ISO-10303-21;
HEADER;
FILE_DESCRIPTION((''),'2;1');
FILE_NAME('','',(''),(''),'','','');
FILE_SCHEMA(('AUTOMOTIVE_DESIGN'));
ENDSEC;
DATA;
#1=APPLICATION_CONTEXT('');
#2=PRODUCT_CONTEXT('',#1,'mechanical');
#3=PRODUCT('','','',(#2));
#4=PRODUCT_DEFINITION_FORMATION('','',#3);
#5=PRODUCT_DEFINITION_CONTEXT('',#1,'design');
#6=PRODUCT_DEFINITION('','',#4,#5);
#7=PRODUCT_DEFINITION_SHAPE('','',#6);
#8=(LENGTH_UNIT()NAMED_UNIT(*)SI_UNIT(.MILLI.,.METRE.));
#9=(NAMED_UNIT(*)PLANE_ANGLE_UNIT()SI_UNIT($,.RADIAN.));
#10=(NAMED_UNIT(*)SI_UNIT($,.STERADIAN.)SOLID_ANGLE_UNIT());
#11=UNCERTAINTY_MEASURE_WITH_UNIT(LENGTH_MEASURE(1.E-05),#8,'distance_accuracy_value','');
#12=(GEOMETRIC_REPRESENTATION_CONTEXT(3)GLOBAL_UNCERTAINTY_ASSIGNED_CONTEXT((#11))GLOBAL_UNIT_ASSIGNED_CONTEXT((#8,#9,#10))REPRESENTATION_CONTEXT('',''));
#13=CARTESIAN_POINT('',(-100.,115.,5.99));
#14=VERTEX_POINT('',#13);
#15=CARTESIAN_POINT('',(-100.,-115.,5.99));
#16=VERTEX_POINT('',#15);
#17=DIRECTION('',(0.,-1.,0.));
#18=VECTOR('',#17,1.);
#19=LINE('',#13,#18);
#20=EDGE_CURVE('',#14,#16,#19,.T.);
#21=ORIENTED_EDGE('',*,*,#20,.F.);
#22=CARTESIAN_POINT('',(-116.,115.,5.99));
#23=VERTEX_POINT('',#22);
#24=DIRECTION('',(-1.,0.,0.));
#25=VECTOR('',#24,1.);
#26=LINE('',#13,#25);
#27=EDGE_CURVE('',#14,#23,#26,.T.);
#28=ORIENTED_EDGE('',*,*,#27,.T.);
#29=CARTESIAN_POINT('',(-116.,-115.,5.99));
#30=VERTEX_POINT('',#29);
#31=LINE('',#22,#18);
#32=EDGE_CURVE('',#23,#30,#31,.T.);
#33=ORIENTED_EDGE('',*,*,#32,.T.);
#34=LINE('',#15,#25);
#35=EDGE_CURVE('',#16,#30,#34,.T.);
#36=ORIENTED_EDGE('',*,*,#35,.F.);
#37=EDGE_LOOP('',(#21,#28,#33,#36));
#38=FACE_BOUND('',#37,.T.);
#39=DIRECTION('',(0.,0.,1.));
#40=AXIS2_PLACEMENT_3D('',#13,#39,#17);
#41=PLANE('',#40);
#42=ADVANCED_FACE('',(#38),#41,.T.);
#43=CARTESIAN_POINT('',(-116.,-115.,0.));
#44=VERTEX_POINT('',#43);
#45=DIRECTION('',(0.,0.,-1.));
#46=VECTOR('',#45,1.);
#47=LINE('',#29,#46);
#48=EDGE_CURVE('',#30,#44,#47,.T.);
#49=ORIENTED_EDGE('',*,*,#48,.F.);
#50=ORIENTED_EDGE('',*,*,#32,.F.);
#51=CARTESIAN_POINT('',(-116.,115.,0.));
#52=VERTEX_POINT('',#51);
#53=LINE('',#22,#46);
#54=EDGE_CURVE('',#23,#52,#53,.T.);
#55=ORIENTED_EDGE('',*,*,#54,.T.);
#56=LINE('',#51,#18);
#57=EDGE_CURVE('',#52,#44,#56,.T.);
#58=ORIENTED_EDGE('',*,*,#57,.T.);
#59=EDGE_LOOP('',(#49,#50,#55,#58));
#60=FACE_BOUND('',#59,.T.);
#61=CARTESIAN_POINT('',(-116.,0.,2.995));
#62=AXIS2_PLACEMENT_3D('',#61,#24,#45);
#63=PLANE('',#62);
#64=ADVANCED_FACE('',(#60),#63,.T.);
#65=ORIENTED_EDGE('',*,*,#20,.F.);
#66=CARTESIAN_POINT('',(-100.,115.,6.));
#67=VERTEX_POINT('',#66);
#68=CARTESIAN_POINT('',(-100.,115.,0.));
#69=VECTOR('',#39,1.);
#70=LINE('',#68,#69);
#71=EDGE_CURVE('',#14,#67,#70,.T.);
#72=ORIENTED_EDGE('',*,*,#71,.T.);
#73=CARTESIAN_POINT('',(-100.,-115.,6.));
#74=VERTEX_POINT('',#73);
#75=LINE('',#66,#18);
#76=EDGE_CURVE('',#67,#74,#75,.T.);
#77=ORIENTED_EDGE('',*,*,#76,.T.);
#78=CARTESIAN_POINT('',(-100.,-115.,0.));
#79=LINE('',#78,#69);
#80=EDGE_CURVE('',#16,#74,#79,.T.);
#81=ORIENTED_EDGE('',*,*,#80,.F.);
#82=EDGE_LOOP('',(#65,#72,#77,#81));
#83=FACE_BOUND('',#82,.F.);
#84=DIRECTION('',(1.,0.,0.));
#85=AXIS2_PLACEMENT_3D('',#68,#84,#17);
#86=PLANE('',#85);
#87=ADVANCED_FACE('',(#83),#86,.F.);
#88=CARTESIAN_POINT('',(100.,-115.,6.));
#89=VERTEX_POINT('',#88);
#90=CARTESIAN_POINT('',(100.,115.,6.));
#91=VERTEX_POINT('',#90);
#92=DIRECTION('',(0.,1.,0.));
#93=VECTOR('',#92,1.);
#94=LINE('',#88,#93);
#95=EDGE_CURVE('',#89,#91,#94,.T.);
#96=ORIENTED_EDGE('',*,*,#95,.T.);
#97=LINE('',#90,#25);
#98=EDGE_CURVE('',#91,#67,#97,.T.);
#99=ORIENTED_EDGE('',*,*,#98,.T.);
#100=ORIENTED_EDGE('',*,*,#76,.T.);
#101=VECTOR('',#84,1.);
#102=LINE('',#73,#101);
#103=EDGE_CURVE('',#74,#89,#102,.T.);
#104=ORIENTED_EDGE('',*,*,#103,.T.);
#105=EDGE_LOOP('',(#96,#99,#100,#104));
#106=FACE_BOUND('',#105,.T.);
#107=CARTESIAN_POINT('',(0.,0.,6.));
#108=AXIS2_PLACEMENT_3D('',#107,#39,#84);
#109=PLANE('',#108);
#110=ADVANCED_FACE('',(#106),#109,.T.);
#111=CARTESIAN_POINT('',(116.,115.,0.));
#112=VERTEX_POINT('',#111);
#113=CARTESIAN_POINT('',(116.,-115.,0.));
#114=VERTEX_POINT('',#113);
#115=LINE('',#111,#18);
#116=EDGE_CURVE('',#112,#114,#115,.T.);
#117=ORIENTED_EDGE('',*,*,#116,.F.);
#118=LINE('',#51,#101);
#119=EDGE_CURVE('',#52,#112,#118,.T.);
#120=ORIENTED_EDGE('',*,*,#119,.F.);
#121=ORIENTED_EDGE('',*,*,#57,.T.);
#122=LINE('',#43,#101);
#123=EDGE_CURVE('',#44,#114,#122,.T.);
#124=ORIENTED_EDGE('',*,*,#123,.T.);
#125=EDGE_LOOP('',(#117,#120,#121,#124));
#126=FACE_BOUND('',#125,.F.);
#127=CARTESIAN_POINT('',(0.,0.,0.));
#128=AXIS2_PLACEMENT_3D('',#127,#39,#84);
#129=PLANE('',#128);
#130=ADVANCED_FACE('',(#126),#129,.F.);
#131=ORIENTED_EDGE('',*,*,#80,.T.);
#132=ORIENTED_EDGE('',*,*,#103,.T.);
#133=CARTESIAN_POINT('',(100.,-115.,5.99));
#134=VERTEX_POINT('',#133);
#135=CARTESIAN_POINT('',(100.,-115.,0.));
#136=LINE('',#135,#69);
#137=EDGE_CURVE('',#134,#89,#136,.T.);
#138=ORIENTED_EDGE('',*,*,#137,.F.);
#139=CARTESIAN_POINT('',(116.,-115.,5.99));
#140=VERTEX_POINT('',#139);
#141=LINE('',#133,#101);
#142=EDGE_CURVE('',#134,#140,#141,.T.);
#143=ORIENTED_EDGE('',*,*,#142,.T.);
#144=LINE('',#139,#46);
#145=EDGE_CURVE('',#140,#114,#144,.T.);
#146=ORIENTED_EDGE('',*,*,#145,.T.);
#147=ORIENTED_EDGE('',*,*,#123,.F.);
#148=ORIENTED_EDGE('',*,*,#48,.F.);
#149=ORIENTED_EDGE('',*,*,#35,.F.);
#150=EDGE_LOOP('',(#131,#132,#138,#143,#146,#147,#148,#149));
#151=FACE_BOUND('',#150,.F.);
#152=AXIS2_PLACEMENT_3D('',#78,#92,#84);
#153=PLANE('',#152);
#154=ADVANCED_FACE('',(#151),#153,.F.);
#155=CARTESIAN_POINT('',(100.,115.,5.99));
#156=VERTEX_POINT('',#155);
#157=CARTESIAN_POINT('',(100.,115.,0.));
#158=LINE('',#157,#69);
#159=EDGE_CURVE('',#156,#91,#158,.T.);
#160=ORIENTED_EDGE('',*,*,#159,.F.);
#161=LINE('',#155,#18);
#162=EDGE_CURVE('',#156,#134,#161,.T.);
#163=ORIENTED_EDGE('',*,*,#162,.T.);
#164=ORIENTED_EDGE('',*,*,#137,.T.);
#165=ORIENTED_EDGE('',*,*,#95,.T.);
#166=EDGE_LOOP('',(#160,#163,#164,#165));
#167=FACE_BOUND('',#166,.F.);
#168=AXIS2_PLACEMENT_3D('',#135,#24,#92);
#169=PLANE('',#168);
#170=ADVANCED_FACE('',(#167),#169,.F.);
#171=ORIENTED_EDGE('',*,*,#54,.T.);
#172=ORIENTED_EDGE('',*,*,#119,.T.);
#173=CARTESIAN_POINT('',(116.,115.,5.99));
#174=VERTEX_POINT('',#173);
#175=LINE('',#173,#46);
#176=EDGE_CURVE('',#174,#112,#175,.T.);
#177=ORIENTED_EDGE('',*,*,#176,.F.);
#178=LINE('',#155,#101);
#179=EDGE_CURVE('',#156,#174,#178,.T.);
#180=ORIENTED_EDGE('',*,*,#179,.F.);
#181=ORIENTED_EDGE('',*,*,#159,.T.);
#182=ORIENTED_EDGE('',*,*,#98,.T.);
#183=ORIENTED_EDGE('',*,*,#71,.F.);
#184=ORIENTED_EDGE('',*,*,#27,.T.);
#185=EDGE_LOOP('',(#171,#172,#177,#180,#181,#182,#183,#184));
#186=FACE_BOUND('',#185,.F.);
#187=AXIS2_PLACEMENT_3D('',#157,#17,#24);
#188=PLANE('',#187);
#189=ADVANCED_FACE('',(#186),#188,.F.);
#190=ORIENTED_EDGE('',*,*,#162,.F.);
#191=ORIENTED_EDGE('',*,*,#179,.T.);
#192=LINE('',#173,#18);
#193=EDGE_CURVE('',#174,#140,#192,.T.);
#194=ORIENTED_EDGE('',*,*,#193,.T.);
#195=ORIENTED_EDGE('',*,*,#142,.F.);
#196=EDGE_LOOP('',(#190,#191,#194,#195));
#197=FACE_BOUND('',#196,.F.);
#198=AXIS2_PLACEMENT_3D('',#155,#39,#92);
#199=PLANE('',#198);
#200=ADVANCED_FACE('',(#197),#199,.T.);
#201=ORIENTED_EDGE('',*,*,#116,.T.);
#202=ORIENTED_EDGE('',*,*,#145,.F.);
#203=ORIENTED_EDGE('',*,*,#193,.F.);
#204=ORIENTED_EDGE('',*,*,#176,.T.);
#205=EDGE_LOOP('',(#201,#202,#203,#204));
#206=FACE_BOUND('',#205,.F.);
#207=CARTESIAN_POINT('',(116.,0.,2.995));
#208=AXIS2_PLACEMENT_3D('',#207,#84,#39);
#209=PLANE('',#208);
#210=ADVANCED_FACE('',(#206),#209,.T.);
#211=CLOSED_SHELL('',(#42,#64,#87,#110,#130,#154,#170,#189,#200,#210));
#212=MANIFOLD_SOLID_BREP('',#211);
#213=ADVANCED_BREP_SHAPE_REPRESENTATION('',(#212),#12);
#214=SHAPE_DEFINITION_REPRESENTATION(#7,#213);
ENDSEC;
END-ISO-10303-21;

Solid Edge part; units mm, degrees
sketch "Sketch1" plane through (0, 0, 0) normal (0, 0, 1) x (1, 0, 0)
  line L0 (-100, -115) -> (100, -115)
  line L1 (100, -115) -> (100, 115)
  line L2 (100, 115) -> (-100, 115)
  line L3 (-100, 115) -> (-100, -115)
  dimension "D1" = 200
  dimension "D2" = 230
extrude "Protrusion1" add sketch "Sketch1" along normal blind 6
sketch "Sketch2" plane through (-100, 0, 3) normal (-1, 0, 0) x (0, -1, 0)
  line L0 (-115, -3) -> (115, -3)
  line L1 (115, 2.99) -> (115, -3)
  line L2 (-115, 2.99) -> (115, 2.99)
  line L3 (-115, 2.99) -> (-115, -3)
  dimension "D1" = 0.01
extrude "ExtrudedProtrusion_2" add sketch "Sketch2" along normal blind 16
mirror "Mirror1" about plane through (0, 0, 0) normal (1, 0, 0) of "ExtrudedProtrusion_2"
